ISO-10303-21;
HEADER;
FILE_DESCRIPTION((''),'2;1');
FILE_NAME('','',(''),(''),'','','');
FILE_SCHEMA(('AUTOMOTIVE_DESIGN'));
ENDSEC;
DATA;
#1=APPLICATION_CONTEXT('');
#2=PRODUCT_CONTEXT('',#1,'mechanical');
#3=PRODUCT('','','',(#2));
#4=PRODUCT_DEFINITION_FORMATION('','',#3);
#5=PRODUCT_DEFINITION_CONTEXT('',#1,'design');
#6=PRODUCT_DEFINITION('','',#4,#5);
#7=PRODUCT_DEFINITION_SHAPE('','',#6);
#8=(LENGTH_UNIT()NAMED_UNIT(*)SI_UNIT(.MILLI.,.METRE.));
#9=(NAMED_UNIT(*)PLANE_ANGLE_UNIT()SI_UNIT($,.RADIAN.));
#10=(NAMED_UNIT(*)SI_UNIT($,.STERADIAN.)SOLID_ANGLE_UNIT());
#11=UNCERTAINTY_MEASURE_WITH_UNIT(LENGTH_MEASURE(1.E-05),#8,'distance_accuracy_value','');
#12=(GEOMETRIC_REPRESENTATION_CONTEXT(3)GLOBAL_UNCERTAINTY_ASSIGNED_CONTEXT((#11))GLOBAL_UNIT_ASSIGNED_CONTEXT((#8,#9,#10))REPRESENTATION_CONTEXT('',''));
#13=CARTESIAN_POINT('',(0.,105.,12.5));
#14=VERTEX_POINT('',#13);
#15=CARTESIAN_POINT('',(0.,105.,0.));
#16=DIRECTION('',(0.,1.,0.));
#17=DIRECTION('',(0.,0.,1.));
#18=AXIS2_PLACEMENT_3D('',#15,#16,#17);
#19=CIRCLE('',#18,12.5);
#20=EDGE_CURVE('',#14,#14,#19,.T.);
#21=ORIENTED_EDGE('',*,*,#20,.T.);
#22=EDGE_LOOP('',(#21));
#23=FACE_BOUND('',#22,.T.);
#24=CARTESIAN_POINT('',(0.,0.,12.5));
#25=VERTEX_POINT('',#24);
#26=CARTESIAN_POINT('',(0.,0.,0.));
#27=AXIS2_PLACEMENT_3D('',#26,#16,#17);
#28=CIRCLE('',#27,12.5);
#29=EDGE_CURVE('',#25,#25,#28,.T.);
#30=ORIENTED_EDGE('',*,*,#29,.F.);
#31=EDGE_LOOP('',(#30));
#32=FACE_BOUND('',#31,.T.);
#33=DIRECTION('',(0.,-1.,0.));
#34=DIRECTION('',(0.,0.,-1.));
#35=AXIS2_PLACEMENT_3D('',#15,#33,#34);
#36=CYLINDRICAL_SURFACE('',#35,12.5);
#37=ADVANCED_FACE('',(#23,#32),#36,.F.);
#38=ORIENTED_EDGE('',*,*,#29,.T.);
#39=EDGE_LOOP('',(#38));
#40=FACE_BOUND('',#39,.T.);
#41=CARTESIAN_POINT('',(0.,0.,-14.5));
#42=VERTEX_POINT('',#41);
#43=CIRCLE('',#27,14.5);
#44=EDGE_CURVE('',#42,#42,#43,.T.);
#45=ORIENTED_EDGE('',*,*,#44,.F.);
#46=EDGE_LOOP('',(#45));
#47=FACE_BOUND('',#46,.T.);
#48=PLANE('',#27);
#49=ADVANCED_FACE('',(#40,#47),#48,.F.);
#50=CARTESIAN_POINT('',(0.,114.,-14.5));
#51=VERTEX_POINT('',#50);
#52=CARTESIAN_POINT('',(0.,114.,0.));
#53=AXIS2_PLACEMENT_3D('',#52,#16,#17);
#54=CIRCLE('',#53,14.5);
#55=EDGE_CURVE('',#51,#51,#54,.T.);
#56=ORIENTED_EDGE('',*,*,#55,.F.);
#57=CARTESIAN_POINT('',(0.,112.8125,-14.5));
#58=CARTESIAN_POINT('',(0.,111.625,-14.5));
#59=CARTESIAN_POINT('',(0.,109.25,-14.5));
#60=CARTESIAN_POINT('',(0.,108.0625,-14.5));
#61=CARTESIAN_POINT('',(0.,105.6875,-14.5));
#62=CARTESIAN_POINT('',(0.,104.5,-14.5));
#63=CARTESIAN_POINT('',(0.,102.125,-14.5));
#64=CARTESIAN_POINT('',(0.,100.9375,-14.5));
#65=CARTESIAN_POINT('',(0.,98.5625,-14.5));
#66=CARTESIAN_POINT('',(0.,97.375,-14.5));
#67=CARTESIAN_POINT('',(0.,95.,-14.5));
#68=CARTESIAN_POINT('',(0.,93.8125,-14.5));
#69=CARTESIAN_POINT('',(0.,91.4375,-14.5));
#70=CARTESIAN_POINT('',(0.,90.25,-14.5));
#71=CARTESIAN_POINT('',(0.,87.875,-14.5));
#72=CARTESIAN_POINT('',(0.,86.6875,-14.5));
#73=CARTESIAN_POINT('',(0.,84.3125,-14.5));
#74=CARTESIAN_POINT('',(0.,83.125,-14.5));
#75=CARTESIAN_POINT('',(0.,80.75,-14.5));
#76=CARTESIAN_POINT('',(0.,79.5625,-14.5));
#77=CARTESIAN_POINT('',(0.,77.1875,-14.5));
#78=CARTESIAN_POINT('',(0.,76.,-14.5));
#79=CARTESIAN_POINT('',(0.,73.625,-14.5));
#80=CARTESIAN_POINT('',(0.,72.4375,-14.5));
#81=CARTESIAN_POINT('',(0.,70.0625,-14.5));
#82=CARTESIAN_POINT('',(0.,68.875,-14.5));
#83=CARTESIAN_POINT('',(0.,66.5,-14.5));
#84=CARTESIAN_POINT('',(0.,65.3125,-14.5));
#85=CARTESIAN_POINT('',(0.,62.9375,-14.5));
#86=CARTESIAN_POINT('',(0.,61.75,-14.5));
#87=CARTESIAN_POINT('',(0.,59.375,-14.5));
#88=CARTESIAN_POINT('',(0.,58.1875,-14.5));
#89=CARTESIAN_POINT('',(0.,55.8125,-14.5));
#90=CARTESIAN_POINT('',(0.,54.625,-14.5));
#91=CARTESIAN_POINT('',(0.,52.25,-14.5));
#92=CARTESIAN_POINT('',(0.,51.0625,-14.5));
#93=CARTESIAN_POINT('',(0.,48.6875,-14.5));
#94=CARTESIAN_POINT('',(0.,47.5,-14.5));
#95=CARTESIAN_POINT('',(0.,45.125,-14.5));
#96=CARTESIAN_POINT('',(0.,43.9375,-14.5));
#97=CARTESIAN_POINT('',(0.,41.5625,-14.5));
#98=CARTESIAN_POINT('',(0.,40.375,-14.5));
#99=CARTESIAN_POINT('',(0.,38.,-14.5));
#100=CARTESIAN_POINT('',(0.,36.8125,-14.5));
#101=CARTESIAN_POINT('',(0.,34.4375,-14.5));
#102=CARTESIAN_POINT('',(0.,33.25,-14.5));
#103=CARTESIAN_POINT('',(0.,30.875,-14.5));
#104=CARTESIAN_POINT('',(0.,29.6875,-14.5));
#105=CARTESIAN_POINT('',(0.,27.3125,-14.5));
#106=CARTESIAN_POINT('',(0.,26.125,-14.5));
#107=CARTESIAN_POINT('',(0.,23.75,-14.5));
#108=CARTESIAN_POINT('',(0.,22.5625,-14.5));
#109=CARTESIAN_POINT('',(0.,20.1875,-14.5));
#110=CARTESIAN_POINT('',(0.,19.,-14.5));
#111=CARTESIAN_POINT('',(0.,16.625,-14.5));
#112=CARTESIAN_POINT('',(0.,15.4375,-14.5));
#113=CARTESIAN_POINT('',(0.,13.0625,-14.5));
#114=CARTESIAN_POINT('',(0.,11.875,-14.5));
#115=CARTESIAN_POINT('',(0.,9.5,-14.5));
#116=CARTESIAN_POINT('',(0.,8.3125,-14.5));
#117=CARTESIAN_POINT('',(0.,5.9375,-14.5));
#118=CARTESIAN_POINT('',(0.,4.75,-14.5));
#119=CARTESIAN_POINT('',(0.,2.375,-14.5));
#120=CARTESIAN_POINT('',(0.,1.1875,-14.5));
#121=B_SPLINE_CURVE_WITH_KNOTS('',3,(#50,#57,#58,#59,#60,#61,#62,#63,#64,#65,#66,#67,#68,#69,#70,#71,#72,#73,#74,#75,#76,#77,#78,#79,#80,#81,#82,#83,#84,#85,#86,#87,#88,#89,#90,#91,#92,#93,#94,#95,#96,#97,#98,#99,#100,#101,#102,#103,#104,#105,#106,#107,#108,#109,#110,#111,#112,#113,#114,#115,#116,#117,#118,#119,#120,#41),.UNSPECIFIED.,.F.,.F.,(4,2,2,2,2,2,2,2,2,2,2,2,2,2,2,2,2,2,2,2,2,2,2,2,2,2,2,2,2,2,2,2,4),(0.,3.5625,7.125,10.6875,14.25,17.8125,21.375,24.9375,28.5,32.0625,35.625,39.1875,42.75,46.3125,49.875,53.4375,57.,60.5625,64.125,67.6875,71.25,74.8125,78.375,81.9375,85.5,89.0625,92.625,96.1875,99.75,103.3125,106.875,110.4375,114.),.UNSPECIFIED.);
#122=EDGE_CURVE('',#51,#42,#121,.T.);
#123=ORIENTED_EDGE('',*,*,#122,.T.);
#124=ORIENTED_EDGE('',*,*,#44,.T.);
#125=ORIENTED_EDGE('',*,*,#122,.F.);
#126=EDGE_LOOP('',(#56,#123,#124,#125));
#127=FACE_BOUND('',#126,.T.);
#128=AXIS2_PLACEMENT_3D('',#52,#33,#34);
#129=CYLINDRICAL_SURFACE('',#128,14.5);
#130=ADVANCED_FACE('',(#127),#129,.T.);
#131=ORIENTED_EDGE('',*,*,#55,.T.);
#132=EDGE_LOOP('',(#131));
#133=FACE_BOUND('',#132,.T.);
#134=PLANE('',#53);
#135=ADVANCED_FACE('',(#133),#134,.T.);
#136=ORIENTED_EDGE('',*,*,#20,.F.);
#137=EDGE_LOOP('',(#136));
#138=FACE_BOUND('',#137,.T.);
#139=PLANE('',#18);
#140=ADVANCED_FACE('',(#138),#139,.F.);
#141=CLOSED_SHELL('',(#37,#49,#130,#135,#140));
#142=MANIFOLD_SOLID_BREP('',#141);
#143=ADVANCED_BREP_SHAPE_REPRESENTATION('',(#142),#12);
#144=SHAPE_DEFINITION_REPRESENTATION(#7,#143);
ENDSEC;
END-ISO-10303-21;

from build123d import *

# Parameters (mm, degrees)
SKETCH1_R           = 14.5
BOSS_EXTRUDE1_DEPTH = 114
SKETCH2_R           = 12.5
CUT_EXTRUDE2_DEPTH  = 105


with BuildPart() as part:
    # Sketch1 → Boss-Extrude1 (new body)
    with BuildSketch(Plane(origin=(0, 0, 0), x_dir=(1, 0, 0), z_dir=(0, 1, 0))):
        with Locations(Location((0, 0, 0), (0, 0, 90))):
            Circle(SKETCH1_R)
    extrude(amount=BOSS_EXTRUDE1_DEPTH)

    # Sketch2 → Cut-Extrude2 (cut)
    with BuildSketch(Plane(origin=(0, 0, 0), x_dir=(1, 0, 0), z_dir=(0, 1, 0))):
        with Locations(Location((0, 0, 0), (0, 0, 270))):
            Circle(SKETCH2_R)
    extrude(amount=CUT_EXTRUDE2_DEPTH, mode=Mode.SUBTRACT)


solid = part.part
